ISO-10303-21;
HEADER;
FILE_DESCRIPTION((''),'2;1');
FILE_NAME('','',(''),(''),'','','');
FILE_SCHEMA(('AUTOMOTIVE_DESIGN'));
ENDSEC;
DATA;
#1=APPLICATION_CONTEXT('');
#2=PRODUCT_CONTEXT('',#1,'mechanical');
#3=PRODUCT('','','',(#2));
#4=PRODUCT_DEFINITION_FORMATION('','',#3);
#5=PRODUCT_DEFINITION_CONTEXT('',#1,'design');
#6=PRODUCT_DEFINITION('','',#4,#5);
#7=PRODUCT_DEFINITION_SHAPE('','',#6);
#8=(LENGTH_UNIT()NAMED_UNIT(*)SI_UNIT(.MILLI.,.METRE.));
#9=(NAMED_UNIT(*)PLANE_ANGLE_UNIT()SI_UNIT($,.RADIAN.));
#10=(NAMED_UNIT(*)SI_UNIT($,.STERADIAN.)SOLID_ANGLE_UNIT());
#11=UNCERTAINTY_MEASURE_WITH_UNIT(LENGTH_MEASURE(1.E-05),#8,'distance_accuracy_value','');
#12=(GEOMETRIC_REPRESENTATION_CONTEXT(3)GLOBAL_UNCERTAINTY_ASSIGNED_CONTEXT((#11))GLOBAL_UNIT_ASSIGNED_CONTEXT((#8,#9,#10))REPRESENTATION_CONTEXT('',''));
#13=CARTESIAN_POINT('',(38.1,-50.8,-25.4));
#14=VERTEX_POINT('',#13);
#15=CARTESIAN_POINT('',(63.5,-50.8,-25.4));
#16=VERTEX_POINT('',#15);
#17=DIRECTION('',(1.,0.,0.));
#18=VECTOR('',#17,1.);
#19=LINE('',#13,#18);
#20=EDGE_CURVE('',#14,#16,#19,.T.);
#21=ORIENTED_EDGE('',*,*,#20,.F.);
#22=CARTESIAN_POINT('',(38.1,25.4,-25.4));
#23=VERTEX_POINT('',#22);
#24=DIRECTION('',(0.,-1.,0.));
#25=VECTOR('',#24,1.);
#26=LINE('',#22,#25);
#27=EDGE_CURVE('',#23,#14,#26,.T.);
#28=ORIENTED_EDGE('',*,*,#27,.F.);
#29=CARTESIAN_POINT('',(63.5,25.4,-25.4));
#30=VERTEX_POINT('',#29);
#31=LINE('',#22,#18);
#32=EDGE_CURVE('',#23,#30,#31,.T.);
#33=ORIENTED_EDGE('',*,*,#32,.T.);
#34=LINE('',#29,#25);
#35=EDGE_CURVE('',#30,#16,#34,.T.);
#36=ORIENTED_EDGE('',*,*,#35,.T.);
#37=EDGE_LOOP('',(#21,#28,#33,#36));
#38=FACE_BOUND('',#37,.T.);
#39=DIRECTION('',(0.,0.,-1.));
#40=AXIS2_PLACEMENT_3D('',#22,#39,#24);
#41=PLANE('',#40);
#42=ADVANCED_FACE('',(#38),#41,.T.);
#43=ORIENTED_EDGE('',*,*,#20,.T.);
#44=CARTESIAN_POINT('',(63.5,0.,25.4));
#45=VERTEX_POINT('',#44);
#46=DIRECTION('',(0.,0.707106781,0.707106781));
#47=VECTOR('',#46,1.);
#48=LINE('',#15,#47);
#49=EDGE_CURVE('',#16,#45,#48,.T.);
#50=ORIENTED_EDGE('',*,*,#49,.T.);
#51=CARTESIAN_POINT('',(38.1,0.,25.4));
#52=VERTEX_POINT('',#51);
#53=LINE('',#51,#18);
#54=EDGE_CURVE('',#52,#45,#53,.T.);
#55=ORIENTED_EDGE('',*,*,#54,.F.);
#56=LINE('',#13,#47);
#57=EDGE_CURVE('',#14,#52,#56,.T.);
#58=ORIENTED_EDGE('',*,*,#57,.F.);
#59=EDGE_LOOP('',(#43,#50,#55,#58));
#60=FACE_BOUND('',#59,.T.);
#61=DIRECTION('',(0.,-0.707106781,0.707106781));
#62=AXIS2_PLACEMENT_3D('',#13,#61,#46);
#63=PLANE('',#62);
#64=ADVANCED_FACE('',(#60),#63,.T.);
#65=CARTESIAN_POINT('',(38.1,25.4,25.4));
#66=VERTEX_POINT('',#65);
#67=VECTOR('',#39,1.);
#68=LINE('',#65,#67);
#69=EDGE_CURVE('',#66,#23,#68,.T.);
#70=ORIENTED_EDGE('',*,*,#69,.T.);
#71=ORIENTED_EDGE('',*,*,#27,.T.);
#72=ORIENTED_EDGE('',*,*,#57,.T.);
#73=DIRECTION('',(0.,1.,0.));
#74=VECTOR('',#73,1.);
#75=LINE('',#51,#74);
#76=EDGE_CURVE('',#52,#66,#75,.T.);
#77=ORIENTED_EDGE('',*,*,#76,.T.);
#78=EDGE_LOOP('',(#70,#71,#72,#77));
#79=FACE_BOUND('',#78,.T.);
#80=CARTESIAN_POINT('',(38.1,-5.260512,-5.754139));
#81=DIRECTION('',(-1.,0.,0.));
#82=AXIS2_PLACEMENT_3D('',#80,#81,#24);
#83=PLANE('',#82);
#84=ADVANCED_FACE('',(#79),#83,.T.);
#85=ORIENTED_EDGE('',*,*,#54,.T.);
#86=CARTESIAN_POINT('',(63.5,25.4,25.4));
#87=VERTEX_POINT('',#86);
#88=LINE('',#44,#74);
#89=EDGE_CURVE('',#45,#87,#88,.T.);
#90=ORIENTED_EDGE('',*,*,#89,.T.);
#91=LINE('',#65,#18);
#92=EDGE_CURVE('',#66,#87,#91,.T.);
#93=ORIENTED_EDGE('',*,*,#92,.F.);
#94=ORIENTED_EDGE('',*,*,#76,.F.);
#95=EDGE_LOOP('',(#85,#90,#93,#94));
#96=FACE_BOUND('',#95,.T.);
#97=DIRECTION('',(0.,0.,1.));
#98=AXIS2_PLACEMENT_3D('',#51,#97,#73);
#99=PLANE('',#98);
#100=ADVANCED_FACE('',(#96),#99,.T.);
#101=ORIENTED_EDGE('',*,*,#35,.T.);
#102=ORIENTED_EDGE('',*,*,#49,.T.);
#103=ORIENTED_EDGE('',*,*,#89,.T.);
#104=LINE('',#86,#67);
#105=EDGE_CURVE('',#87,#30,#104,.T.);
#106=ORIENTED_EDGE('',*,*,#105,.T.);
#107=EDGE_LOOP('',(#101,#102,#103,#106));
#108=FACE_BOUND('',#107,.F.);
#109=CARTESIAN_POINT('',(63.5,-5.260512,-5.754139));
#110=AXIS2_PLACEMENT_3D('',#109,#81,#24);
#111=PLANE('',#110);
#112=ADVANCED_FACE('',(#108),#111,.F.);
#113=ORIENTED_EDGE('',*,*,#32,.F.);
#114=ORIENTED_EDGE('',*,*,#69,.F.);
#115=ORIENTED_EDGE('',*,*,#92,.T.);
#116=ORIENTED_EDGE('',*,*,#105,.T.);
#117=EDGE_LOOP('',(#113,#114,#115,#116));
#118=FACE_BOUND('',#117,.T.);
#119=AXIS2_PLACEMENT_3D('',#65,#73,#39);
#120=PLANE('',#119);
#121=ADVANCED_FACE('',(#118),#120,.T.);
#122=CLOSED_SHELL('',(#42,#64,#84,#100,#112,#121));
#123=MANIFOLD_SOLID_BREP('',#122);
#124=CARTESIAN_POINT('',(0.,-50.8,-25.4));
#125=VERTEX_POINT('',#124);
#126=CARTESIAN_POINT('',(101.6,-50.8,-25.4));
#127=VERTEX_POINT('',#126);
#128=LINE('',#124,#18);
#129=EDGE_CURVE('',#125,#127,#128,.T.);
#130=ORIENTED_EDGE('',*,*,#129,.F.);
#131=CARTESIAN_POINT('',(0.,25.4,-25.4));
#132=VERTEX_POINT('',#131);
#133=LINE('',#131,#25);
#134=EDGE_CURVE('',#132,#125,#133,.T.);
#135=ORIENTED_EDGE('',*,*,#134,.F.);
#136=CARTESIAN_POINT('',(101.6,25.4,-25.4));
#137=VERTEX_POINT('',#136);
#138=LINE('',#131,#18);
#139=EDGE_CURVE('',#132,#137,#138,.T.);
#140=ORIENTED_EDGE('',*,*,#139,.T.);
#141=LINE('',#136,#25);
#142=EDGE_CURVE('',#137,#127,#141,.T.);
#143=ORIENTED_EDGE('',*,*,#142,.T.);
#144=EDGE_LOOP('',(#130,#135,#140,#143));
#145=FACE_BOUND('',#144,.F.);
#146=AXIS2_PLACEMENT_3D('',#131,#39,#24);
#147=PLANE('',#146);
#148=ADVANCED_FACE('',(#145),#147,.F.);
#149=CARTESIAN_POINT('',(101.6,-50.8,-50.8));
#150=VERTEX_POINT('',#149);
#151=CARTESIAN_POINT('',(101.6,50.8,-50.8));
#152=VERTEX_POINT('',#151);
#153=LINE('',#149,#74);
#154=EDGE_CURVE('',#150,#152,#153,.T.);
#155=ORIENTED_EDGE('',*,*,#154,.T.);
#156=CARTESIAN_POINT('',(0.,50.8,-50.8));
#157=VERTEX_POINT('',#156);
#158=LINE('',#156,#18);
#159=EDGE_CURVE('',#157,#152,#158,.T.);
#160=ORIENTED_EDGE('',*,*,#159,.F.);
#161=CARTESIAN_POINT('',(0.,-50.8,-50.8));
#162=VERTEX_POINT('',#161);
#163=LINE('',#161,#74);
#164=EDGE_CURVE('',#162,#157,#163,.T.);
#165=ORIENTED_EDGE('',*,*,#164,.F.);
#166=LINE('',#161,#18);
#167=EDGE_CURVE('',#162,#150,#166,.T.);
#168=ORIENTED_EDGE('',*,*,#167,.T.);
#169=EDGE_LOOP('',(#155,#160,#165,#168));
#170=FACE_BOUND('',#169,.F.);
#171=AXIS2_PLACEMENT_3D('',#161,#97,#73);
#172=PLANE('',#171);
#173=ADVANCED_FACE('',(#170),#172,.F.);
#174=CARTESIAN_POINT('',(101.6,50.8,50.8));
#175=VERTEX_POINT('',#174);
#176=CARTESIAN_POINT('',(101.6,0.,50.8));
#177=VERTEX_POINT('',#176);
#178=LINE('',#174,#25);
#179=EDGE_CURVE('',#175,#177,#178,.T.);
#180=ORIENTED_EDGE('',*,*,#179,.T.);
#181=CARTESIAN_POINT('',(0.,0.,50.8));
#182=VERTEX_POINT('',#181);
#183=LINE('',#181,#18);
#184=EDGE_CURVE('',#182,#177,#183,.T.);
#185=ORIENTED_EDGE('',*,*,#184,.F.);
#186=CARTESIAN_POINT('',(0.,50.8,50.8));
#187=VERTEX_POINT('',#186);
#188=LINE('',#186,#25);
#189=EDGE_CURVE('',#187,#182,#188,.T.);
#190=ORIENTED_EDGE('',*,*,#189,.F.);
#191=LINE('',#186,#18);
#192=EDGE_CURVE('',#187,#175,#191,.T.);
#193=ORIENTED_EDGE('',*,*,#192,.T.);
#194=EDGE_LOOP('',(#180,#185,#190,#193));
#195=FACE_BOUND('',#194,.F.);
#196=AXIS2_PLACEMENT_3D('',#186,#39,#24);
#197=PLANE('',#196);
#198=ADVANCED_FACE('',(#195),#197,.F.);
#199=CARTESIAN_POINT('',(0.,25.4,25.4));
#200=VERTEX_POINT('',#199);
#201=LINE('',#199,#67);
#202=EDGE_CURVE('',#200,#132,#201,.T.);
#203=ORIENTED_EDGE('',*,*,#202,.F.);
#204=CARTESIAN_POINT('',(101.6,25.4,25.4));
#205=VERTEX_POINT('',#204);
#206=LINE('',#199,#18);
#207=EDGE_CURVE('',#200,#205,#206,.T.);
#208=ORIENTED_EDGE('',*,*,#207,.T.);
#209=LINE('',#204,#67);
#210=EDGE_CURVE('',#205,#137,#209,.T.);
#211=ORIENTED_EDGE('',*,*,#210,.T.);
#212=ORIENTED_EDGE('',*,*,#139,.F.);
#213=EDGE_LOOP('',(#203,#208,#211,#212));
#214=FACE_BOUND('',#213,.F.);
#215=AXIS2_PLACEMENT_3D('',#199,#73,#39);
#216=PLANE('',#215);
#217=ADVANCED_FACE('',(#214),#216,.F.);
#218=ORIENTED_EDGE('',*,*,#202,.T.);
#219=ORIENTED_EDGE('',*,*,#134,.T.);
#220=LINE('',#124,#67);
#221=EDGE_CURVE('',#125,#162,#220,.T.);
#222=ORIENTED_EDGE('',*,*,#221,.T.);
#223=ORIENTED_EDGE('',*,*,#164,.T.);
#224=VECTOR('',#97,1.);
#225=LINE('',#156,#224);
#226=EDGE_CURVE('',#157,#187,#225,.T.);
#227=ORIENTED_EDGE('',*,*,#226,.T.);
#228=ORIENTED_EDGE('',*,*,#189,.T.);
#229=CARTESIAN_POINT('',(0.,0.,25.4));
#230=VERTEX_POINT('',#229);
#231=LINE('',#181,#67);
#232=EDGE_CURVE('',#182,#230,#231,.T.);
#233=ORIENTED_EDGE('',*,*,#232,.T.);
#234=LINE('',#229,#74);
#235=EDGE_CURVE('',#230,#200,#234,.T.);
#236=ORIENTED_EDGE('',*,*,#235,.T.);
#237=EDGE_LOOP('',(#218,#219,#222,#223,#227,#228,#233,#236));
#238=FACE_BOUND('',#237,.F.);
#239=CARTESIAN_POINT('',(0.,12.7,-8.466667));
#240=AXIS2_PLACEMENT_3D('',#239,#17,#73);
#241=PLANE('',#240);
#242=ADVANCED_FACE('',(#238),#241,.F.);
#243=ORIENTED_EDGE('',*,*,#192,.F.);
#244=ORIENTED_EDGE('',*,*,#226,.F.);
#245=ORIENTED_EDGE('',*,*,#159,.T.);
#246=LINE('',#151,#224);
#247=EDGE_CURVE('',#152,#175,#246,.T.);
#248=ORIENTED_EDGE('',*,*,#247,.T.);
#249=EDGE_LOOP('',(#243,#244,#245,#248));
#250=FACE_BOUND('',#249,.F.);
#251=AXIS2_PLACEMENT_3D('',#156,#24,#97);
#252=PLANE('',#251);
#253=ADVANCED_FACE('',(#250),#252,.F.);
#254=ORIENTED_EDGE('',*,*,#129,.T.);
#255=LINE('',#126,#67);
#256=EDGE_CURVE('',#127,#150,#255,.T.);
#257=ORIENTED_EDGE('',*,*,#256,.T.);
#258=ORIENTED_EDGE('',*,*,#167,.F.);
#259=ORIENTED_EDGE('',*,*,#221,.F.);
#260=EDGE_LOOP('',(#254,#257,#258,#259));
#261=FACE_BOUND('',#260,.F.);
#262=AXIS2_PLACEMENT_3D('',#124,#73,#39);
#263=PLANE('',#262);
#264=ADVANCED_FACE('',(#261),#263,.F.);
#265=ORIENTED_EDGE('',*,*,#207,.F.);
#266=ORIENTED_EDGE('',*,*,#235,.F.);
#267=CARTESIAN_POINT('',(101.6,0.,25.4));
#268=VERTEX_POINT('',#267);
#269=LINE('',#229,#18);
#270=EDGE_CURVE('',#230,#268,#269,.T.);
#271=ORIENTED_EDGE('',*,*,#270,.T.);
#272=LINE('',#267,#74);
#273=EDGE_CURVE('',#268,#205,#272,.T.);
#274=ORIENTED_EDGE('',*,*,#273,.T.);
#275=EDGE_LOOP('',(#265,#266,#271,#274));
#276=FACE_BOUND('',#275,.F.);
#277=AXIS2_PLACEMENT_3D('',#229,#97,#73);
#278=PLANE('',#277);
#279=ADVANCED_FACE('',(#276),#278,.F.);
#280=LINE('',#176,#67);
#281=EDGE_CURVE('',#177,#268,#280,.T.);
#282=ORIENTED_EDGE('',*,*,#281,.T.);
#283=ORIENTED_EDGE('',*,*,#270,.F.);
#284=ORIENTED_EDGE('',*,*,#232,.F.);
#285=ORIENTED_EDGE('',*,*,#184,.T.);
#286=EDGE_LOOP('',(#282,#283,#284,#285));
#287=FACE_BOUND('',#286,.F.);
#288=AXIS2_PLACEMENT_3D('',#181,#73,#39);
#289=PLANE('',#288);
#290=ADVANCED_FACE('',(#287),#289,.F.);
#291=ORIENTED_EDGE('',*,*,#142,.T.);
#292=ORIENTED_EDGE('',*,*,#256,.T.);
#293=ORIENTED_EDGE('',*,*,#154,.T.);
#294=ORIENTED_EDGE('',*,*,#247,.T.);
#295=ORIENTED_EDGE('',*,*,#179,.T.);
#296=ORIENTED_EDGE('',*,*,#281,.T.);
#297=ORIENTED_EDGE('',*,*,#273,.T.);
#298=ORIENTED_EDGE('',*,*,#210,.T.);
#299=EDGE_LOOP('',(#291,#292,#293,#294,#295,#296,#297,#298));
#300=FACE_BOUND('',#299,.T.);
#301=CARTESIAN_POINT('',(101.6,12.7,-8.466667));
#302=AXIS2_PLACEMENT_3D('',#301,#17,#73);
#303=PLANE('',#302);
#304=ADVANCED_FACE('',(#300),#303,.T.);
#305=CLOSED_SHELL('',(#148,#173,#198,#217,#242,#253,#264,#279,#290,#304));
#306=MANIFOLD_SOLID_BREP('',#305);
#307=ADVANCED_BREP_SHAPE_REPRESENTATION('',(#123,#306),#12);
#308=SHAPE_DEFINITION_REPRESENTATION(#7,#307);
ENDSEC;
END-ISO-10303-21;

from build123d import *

# Parameters (mm, degrees)
F1_DEPTH = 101.6
F3_DEPTH = 25.4


with BuildPart() as f1:
    # F0 (on Right) → F1 (new body)
    with BuildSketch(Plane.YZ):
        Polygon((25.4, -25.4), (0, -25.4), (-50.8, -25.4), (-50.8, -50.8), (50.8, -50.8), (50.8, 50.8), (0, 50.8), (0, 25.4), (25.4, 25.4), align=None)
    extrude(amount=F1_DEPTH)


with BuildPart() as f3:
    # F2 (on face) → F3 (new body)
    with BuildSketch(Plane(origin=(0, 0, 0), x_dir=(0, -1, 0), z_dir=(-1, 0, 0))):
        Polygon((0, 25.4), (-25.4, 25.4), (-25.4, -25.4), (50.8, -25.4), align=None)
    extrude(amount=-F3_DEPTH)


with BuildPart() as f3_1:
    # F4: moved
    add(f3.part.moved(Location((38.1, 0, 0))))


solid = Compound([f1.part, f3_1.part])
